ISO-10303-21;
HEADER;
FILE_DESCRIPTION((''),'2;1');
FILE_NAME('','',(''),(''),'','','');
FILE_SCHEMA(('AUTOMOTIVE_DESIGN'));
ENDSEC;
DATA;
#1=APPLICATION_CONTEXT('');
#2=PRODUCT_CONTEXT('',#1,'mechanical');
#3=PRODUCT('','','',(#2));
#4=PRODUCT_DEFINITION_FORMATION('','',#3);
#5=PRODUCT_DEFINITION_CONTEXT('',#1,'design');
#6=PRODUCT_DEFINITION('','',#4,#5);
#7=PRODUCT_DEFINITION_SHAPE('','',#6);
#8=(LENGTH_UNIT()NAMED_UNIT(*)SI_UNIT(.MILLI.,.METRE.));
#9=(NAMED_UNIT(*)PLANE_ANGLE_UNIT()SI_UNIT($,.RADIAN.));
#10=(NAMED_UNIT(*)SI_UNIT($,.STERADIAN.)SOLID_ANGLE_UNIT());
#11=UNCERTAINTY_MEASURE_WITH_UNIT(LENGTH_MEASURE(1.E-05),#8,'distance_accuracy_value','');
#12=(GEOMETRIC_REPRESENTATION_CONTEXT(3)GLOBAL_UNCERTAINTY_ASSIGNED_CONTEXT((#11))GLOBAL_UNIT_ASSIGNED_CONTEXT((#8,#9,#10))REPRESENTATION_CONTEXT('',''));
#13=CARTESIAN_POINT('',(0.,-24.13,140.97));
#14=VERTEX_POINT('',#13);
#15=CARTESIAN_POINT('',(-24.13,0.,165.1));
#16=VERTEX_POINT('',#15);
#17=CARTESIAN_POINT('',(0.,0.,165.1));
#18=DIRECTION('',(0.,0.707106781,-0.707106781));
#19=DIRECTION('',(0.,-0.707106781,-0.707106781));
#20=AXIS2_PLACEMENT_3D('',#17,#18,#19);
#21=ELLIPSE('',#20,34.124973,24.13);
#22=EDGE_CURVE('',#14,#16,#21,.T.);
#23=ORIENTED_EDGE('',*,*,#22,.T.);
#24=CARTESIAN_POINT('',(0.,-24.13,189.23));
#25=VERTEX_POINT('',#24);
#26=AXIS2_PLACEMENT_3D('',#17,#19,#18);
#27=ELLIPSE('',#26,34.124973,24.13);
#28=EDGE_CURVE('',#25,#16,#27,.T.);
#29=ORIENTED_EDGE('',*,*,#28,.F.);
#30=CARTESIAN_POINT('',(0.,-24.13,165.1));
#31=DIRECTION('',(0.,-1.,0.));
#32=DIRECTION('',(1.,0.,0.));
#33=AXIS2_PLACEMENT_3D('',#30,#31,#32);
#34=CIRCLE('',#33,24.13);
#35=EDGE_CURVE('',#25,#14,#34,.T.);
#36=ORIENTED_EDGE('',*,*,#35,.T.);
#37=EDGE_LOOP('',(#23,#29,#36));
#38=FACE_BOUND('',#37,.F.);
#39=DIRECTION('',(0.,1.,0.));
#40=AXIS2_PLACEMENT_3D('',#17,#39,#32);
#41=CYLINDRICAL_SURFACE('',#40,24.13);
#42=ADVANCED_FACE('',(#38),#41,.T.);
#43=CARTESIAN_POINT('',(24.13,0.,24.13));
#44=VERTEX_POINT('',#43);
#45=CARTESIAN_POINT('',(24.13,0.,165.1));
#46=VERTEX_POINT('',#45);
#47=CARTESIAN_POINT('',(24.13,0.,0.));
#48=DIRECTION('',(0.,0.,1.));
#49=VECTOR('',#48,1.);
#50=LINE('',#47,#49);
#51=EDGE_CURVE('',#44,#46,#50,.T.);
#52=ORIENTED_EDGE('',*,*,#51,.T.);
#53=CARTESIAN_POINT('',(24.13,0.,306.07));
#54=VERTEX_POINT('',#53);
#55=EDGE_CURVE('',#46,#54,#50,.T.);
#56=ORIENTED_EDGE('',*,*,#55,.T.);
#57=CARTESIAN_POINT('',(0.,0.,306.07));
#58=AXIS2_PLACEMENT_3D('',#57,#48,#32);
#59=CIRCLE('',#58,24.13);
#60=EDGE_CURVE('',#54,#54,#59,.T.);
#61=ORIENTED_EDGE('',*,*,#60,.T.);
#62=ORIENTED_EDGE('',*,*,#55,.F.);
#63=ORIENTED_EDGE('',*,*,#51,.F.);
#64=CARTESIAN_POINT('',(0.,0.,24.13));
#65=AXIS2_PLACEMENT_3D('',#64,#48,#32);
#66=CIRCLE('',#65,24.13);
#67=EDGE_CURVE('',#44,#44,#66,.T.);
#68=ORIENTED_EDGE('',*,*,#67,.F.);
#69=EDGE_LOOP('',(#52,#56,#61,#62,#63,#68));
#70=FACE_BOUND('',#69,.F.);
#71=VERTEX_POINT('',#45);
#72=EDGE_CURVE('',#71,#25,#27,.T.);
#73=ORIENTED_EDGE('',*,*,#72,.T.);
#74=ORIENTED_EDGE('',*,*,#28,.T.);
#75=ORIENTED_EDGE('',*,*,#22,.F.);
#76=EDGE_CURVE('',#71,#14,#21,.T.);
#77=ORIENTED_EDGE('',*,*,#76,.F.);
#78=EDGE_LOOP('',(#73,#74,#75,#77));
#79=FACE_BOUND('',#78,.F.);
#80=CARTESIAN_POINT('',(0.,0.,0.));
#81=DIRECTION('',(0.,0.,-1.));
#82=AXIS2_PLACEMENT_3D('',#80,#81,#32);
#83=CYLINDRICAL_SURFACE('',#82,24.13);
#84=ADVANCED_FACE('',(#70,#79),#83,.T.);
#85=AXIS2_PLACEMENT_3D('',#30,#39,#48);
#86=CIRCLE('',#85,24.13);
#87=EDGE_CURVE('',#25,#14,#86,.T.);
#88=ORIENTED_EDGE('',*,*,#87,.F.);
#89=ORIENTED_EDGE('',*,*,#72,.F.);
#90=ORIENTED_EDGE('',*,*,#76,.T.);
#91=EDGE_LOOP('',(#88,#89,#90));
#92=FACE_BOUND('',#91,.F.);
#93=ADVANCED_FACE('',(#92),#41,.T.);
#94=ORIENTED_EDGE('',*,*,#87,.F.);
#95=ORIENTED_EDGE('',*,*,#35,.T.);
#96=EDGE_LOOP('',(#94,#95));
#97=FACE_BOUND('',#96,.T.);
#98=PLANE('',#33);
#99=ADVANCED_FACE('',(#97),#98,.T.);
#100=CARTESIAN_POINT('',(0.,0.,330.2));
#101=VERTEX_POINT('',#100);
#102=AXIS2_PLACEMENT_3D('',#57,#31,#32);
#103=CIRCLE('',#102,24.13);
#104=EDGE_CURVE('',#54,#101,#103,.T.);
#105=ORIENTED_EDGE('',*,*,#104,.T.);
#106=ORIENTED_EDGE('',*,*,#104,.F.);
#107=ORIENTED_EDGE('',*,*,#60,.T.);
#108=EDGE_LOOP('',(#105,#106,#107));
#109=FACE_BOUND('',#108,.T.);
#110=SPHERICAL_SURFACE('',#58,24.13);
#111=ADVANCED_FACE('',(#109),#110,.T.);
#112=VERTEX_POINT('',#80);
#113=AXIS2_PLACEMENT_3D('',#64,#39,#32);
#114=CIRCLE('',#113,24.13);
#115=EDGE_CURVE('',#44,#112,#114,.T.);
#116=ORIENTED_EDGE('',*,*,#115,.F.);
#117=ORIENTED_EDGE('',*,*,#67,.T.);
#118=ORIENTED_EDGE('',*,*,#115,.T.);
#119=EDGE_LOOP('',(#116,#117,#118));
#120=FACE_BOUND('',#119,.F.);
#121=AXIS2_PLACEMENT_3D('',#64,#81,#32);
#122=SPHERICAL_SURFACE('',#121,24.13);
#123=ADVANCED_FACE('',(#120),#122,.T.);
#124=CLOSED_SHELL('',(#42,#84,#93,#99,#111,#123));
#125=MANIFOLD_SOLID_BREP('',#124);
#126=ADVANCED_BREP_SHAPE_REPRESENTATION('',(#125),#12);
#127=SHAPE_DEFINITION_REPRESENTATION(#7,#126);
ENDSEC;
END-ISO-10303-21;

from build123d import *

# Parameters (mm, degrees)
F0_R     = 24.13
F1_DEPTH = 330.2
F2_R     = 24.13
F3_R     = 24.13
F4_R     = 24.13
F5_DEPTH = 24.13


with BuildPart() as f1:
    # F0 (on Top) → F1 (new body)
    with BuildSketch(Plane.XY):
        Circle(F0_R)
    extrude(amount=F1_DEPTH)

    # F2
    f2_edges = [f1.edges().sort_by_distance(p)[0] for p in [
        (-24.13, 0, 330.2),
    ]]
    fillet(f2_edges, radius=F2_R)

    # F3
    f3_edges = [f1.edges().sort_by_distance(p)[0] for p in [
        (-24.13, 0, 0),
    ]]
    fillet(f3_edges, radius=F3_R)

    # F4 (on Front) → F5 (join)
    with BuildSketch(Plane.XZ):
        with Locations((0, 165.1)):
            Circle(F4_R)
    extrude(amount=F5_DEPTH)


solid = f1.part
